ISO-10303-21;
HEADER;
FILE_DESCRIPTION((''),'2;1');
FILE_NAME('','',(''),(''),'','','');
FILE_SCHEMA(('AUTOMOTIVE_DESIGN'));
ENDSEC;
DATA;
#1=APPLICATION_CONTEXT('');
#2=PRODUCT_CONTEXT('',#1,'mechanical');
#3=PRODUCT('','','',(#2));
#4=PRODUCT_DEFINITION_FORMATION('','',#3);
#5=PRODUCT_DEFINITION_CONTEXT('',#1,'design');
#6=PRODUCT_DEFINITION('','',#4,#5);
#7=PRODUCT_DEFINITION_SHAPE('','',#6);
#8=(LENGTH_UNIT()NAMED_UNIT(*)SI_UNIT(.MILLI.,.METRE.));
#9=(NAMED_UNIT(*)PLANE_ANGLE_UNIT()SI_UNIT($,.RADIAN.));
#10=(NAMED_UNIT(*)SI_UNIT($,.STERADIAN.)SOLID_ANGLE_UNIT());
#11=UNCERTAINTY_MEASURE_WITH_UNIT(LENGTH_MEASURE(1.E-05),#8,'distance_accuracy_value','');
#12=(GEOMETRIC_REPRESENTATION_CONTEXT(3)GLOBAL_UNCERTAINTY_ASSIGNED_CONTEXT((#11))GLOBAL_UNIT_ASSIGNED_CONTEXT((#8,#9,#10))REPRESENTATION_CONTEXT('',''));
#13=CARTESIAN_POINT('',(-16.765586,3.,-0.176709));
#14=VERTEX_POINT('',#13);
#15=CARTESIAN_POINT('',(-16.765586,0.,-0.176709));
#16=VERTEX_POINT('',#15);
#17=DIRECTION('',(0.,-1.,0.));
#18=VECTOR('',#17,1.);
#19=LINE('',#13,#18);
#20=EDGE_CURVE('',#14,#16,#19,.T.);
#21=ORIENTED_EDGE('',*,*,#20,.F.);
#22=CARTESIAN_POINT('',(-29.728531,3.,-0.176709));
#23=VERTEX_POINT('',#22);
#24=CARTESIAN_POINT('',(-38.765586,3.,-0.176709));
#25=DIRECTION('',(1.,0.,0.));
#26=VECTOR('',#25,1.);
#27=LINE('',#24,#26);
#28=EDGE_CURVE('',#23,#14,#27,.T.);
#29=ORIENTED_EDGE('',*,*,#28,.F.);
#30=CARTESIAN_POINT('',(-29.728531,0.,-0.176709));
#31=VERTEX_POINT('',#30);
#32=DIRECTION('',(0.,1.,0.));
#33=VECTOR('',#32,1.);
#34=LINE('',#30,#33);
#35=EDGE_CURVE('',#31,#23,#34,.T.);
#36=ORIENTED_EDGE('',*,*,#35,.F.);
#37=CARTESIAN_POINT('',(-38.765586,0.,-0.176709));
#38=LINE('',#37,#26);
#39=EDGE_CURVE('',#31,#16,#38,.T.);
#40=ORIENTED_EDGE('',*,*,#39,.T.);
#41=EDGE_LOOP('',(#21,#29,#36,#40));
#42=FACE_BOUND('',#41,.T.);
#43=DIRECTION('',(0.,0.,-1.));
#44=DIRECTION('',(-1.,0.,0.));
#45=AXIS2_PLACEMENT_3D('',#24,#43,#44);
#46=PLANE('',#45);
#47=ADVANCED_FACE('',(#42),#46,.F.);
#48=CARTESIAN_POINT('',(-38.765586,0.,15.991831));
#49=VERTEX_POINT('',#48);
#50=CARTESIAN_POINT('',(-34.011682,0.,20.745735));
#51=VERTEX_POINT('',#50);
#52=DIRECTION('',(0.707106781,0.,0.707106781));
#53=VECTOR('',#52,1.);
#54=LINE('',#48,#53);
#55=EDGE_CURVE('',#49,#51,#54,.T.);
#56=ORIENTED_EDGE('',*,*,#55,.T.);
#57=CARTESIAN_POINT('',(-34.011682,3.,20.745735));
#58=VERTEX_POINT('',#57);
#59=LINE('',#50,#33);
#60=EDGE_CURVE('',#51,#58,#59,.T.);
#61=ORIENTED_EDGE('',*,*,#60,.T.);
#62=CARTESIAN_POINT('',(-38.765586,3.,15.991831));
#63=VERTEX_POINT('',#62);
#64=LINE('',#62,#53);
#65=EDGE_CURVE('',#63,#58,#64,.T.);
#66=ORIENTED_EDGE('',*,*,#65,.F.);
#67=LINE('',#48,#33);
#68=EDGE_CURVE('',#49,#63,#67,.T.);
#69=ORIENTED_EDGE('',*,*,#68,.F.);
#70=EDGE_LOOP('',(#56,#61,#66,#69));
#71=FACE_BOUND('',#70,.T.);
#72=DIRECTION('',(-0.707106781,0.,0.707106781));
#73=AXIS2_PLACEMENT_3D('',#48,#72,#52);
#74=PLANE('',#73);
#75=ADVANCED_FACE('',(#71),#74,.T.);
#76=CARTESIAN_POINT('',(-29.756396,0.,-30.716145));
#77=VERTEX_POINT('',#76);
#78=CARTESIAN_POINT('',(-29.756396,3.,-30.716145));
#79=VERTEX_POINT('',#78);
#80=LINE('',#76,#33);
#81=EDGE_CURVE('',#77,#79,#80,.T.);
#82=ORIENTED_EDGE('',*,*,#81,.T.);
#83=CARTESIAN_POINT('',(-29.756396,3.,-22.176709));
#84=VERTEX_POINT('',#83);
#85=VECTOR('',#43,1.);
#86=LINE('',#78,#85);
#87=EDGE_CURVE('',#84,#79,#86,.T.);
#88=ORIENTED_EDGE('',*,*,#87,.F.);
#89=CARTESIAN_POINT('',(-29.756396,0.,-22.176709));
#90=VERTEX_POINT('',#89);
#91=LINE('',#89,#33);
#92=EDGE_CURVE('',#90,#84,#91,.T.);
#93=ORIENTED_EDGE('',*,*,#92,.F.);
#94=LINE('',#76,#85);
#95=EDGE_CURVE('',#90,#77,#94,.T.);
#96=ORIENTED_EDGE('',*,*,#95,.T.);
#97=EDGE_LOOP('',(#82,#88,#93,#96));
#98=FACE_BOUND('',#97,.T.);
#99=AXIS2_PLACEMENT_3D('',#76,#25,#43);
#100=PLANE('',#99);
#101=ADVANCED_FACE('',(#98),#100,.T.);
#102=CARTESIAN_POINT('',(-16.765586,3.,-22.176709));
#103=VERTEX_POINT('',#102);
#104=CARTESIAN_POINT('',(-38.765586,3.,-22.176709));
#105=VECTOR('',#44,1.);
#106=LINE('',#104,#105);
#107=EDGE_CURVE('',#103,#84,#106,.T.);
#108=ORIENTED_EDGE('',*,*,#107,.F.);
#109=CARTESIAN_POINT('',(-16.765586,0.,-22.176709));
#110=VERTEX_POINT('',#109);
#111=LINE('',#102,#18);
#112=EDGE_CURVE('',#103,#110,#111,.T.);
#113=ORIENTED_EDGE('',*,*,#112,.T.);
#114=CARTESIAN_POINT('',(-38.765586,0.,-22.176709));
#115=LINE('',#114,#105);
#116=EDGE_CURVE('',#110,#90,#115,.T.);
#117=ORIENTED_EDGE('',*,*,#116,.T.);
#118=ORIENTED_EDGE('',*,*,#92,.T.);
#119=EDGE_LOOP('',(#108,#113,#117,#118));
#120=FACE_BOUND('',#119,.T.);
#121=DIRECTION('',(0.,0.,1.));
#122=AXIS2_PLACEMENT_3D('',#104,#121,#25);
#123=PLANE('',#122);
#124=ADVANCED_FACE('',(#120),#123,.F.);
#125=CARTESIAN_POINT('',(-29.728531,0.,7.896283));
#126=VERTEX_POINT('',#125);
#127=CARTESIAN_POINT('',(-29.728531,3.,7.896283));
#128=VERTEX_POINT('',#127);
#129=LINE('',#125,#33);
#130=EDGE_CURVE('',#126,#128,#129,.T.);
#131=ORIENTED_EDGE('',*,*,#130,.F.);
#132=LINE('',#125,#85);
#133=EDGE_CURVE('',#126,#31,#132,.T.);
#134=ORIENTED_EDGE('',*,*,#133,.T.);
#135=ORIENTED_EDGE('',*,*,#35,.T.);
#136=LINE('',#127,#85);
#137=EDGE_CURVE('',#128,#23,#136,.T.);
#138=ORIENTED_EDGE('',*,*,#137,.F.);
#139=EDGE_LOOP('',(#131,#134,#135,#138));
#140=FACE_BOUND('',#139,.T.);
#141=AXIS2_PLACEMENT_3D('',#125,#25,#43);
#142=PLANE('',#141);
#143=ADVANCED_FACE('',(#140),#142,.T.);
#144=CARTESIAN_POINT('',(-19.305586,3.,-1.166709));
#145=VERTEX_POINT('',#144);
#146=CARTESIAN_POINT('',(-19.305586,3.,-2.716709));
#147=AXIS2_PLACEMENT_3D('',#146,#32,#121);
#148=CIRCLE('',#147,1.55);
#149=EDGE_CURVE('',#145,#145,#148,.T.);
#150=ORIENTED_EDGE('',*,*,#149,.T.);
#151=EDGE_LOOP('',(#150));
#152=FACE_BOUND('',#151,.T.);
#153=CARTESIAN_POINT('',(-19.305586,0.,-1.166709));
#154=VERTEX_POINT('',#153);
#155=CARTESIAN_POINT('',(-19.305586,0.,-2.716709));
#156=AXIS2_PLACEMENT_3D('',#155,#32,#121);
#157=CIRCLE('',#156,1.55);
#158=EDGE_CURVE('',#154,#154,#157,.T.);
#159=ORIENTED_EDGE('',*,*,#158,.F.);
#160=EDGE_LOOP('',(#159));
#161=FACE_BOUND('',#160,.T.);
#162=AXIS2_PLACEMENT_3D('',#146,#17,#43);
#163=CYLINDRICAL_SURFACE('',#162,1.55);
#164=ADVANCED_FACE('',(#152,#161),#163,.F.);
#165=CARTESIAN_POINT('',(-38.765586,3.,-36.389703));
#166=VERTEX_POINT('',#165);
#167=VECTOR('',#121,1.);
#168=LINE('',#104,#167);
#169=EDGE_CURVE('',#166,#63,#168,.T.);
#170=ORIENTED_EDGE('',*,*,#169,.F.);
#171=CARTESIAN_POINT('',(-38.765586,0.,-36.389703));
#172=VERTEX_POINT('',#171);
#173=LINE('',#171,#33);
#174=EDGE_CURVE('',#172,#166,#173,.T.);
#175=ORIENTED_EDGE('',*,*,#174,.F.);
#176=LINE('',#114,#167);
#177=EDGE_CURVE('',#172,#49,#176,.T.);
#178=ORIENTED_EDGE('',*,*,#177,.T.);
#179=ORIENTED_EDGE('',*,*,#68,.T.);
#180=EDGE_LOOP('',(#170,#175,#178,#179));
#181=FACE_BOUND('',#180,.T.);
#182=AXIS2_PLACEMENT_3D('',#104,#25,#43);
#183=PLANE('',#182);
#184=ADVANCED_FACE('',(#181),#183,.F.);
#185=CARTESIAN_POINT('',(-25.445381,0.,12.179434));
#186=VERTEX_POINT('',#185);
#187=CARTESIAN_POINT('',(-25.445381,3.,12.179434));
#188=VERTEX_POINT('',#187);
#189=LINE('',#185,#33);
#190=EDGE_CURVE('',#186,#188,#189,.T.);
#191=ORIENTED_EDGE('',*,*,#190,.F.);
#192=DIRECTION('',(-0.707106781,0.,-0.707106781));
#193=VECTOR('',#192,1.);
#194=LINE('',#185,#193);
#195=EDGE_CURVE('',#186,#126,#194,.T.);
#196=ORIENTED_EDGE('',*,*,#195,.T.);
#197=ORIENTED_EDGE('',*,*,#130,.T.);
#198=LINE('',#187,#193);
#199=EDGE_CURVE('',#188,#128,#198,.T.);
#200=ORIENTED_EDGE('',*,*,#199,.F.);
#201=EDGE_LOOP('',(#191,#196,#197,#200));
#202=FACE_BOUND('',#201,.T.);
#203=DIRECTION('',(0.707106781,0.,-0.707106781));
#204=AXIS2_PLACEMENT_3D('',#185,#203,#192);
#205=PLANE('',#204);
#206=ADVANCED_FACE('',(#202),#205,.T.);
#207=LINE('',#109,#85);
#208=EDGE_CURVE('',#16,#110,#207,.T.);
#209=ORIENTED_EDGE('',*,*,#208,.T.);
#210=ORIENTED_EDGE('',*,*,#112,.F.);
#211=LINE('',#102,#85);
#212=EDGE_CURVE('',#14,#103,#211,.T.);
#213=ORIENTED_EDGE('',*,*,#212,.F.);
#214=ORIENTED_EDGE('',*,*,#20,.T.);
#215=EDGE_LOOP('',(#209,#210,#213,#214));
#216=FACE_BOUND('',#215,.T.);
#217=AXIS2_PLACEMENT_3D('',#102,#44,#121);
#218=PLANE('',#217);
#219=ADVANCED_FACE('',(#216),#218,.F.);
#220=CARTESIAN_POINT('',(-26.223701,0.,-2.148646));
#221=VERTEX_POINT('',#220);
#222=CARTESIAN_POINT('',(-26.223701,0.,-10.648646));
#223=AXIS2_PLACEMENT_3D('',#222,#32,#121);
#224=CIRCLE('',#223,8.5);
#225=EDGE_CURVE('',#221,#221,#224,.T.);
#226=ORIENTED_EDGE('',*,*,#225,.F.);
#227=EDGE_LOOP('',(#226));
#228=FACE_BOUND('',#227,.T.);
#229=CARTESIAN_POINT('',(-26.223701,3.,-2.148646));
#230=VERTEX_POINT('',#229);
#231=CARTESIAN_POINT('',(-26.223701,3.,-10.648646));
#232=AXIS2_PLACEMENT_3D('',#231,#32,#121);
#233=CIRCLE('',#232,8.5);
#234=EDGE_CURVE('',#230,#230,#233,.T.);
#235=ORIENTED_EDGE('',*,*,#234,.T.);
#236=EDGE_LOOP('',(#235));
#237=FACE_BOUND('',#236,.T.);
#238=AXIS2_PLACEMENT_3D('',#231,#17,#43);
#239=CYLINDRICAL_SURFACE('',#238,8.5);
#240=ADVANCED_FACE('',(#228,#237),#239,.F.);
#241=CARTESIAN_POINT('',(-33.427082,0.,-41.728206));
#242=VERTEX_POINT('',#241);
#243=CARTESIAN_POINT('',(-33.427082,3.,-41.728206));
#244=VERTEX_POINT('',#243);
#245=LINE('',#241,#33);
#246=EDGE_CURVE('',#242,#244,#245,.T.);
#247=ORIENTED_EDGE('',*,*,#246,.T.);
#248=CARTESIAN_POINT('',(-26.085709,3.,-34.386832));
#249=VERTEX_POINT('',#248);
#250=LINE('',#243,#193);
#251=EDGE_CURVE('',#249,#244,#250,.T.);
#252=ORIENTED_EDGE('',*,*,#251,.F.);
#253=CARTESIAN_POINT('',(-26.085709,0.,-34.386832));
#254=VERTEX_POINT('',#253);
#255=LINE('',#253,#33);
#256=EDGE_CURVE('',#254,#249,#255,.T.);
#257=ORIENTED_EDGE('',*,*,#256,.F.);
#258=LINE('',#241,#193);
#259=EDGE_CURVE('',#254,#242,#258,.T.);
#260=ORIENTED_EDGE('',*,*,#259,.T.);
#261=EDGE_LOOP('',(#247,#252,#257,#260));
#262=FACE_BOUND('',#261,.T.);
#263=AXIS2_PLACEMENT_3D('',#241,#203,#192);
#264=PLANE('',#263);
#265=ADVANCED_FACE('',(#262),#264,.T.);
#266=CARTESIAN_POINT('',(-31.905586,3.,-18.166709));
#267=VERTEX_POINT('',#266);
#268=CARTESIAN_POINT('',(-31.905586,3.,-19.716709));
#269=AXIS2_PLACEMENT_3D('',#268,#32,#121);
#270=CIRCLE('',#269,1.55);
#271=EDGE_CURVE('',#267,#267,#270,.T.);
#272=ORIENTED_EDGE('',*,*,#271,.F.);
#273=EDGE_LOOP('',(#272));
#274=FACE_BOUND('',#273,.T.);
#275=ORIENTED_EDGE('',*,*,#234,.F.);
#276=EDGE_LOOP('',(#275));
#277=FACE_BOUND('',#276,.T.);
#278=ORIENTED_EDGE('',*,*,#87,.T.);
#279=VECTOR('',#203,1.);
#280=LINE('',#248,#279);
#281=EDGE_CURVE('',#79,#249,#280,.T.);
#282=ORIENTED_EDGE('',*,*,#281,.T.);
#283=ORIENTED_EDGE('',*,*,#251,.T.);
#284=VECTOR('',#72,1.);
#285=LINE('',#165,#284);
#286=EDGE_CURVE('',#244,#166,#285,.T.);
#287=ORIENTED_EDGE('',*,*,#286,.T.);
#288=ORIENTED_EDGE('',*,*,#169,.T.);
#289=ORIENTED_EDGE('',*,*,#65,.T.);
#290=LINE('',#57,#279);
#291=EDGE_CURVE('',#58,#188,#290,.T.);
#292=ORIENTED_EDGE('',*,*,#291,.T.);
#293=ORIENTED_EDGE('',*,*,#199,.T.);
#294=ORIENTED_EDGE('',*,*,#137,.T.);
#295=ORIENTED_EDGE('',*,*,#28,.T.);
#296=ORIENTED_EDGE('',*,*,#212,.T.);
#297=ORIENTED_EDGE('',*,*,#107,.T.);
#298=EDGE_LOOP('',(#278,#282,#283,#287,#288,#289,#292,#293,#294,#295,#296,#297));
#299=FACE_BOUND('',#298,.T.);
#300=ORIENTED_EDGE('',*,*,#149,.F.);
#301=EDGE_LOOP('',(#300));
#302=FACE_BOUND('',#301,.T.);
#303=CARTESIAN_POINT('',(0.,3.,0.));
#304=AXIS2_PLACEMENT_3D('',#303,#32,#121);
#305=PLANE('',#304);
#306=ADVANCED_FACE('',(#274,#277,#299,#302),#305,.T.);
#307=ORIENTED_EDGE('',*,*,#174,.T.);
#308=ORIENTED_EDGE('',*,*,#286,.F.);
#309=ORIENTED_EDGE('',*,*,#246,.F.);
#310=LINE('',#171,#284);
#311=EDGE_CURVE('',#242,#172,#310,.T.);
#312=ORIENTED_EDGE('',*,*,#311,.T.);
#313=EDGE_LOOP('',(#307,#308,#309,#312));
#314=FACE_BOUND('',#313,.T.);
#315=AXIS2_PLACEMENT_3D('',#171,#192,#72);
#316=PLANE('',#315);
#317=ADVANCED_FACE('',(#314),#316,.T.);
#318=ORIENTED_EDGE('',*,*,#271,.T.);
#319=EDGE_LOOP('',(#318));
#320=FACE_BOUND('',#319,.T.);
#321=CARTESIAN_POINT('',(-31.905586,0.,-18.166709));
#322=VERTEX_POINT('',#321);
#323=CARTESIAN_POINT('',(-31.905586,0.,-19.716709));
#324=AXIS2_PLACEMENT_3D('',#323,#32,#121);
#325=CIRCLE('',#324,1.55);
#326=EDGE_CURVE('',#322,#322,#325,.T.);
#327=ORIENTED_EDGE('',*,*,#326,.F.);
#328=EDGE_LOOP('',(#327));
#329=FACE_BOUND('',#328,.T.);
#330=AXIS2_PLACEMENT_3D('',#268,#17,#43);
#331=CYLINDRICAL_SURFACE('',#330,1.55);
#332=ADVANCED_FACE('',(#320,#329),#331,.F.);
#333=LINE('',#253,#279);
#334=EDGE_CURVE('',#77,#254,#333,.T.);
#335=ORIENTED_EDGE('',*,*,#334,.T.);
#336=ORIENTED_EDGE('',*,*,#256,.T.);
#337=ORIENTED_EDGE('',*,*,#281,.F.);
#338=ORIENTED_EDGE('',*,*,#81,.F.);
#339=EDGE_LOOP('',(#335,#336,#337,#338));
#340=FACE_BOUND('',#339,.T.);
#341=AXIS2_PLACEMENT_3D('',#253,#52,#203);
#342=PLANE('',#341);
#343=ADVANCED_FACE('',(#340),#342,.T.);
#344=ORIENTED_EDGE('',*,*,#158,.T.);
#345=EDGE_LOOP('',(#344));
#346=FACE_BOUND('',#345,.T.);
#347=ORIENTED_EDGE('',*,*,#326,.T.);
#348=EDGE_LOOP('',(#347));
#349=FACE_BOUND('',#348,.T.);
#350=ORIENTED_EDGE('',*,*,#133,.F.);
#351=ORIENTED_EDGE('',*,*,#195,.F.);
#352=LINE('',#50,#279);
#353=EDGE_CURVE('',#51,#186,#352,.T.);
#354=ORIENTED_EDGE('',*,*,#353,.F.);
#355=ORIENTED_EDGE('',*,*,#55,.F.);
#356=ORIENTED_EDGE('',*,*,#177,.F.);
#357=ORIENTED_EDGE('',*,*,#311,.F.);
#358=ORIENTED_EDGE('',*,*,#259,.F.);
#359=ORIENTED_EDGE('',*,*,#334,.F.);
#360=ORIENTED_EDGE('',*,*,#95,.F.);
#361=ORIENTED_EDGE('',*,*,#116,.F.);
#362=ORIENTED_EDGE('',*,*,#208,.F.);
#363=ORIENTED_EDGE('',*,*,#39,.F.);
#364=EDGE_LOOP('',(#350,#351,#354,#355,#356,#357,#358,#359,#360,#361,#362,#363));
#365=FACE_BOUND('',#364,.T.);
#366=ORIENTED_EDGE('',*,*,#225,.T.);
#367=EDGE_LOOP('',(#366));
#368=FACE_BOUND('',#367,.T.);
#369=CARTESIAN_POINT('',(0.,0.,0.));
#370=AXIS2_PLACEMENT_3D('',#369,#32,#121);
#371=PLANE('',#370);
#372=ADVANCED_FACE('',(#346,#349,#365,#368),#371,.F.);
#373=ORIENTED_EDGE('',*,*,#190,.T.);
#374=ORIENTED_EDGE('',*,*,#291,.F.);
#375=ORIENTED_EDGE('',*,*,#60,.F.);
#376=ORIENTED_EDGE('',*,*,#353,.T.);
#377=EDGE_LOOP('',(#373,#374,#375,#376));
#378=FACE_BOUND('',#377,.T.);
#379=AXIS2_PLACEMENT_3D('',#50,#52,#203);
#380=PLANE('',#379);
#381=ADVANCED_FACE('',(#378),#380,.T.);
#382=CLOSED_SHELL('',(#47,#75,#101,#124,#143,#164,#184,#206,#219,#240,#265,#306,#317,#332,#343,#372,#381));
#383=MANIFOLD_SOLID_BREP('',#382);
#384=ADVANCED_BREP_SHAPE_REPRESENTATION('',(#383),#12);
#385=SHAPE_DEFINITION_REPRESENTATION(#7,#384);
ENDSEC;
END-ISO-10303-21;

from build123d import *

# Parameters (mm, degrees)
SKETCH1_W           = 22
SKETCH1_H           = 22
SKETCH1_R           = 1.55
SKETCH1_R_2         = 8.5
BOSS_EXTRUDE1_DEPTH = 3
BOSS_EXTRUDE2_DEPTH = 3


with BuildPart() as part:
    # Sketch1 → Boss-Extrude1 (new body)
    with BuildSketch(Plane(origin=(0, 0, 0), x_dir=(1, 0, 0), z_dir=(0, 1, 0))):
        with Locations((-27.765585807, 11.176708998)):
            Rectangle(SKETCH1_W, SKETCH1_H)
        with Locations((-19.305585807, 2.716708998)):
            Circle(SKETCH1_R, mode=Mode.SUBTRACT)
        with Locations((-31.905585807, 19.716708998)):
            Circle(SKETCH1_R, mode=Mode.SUBTRACT)
        with Locations((-26.223701498, 10.648645815)):
            Circle(SKETCH1_R_2, mode=Mode.SUBTRACT)
    extrude(amount=BOSS_EXTRUDE1_DEPTH)

    # Sketch2 → Boss-Extrude2 (add)
    with BuildSketch(Plane(origin=(0, 3, 0), x_dir=(1, 0, 0), z_dir=(0, 1, 0))):
        Polygon((-38.765585807, 0.176708998), (-38.765585807, -15.991830681), (-34.011681836, -20.745734651), (-25.445380771, -12.179433585), (-29.728531303, -7.896283053), (-29.728531303, 0.176708998), align=None)
        Polygon((-38.765585807, 22.176708998), (-38.765585807, 36.389702532), (-33.427082463, 41.728205876), (-26.085708647, 34.38683206), (-29.756395555, 30.716145153), (-29.756395555, 22.176708998), align=None)
    extrude(amount=-BOSS_EXTRUDE2_DEPTH)


solid = part.part
